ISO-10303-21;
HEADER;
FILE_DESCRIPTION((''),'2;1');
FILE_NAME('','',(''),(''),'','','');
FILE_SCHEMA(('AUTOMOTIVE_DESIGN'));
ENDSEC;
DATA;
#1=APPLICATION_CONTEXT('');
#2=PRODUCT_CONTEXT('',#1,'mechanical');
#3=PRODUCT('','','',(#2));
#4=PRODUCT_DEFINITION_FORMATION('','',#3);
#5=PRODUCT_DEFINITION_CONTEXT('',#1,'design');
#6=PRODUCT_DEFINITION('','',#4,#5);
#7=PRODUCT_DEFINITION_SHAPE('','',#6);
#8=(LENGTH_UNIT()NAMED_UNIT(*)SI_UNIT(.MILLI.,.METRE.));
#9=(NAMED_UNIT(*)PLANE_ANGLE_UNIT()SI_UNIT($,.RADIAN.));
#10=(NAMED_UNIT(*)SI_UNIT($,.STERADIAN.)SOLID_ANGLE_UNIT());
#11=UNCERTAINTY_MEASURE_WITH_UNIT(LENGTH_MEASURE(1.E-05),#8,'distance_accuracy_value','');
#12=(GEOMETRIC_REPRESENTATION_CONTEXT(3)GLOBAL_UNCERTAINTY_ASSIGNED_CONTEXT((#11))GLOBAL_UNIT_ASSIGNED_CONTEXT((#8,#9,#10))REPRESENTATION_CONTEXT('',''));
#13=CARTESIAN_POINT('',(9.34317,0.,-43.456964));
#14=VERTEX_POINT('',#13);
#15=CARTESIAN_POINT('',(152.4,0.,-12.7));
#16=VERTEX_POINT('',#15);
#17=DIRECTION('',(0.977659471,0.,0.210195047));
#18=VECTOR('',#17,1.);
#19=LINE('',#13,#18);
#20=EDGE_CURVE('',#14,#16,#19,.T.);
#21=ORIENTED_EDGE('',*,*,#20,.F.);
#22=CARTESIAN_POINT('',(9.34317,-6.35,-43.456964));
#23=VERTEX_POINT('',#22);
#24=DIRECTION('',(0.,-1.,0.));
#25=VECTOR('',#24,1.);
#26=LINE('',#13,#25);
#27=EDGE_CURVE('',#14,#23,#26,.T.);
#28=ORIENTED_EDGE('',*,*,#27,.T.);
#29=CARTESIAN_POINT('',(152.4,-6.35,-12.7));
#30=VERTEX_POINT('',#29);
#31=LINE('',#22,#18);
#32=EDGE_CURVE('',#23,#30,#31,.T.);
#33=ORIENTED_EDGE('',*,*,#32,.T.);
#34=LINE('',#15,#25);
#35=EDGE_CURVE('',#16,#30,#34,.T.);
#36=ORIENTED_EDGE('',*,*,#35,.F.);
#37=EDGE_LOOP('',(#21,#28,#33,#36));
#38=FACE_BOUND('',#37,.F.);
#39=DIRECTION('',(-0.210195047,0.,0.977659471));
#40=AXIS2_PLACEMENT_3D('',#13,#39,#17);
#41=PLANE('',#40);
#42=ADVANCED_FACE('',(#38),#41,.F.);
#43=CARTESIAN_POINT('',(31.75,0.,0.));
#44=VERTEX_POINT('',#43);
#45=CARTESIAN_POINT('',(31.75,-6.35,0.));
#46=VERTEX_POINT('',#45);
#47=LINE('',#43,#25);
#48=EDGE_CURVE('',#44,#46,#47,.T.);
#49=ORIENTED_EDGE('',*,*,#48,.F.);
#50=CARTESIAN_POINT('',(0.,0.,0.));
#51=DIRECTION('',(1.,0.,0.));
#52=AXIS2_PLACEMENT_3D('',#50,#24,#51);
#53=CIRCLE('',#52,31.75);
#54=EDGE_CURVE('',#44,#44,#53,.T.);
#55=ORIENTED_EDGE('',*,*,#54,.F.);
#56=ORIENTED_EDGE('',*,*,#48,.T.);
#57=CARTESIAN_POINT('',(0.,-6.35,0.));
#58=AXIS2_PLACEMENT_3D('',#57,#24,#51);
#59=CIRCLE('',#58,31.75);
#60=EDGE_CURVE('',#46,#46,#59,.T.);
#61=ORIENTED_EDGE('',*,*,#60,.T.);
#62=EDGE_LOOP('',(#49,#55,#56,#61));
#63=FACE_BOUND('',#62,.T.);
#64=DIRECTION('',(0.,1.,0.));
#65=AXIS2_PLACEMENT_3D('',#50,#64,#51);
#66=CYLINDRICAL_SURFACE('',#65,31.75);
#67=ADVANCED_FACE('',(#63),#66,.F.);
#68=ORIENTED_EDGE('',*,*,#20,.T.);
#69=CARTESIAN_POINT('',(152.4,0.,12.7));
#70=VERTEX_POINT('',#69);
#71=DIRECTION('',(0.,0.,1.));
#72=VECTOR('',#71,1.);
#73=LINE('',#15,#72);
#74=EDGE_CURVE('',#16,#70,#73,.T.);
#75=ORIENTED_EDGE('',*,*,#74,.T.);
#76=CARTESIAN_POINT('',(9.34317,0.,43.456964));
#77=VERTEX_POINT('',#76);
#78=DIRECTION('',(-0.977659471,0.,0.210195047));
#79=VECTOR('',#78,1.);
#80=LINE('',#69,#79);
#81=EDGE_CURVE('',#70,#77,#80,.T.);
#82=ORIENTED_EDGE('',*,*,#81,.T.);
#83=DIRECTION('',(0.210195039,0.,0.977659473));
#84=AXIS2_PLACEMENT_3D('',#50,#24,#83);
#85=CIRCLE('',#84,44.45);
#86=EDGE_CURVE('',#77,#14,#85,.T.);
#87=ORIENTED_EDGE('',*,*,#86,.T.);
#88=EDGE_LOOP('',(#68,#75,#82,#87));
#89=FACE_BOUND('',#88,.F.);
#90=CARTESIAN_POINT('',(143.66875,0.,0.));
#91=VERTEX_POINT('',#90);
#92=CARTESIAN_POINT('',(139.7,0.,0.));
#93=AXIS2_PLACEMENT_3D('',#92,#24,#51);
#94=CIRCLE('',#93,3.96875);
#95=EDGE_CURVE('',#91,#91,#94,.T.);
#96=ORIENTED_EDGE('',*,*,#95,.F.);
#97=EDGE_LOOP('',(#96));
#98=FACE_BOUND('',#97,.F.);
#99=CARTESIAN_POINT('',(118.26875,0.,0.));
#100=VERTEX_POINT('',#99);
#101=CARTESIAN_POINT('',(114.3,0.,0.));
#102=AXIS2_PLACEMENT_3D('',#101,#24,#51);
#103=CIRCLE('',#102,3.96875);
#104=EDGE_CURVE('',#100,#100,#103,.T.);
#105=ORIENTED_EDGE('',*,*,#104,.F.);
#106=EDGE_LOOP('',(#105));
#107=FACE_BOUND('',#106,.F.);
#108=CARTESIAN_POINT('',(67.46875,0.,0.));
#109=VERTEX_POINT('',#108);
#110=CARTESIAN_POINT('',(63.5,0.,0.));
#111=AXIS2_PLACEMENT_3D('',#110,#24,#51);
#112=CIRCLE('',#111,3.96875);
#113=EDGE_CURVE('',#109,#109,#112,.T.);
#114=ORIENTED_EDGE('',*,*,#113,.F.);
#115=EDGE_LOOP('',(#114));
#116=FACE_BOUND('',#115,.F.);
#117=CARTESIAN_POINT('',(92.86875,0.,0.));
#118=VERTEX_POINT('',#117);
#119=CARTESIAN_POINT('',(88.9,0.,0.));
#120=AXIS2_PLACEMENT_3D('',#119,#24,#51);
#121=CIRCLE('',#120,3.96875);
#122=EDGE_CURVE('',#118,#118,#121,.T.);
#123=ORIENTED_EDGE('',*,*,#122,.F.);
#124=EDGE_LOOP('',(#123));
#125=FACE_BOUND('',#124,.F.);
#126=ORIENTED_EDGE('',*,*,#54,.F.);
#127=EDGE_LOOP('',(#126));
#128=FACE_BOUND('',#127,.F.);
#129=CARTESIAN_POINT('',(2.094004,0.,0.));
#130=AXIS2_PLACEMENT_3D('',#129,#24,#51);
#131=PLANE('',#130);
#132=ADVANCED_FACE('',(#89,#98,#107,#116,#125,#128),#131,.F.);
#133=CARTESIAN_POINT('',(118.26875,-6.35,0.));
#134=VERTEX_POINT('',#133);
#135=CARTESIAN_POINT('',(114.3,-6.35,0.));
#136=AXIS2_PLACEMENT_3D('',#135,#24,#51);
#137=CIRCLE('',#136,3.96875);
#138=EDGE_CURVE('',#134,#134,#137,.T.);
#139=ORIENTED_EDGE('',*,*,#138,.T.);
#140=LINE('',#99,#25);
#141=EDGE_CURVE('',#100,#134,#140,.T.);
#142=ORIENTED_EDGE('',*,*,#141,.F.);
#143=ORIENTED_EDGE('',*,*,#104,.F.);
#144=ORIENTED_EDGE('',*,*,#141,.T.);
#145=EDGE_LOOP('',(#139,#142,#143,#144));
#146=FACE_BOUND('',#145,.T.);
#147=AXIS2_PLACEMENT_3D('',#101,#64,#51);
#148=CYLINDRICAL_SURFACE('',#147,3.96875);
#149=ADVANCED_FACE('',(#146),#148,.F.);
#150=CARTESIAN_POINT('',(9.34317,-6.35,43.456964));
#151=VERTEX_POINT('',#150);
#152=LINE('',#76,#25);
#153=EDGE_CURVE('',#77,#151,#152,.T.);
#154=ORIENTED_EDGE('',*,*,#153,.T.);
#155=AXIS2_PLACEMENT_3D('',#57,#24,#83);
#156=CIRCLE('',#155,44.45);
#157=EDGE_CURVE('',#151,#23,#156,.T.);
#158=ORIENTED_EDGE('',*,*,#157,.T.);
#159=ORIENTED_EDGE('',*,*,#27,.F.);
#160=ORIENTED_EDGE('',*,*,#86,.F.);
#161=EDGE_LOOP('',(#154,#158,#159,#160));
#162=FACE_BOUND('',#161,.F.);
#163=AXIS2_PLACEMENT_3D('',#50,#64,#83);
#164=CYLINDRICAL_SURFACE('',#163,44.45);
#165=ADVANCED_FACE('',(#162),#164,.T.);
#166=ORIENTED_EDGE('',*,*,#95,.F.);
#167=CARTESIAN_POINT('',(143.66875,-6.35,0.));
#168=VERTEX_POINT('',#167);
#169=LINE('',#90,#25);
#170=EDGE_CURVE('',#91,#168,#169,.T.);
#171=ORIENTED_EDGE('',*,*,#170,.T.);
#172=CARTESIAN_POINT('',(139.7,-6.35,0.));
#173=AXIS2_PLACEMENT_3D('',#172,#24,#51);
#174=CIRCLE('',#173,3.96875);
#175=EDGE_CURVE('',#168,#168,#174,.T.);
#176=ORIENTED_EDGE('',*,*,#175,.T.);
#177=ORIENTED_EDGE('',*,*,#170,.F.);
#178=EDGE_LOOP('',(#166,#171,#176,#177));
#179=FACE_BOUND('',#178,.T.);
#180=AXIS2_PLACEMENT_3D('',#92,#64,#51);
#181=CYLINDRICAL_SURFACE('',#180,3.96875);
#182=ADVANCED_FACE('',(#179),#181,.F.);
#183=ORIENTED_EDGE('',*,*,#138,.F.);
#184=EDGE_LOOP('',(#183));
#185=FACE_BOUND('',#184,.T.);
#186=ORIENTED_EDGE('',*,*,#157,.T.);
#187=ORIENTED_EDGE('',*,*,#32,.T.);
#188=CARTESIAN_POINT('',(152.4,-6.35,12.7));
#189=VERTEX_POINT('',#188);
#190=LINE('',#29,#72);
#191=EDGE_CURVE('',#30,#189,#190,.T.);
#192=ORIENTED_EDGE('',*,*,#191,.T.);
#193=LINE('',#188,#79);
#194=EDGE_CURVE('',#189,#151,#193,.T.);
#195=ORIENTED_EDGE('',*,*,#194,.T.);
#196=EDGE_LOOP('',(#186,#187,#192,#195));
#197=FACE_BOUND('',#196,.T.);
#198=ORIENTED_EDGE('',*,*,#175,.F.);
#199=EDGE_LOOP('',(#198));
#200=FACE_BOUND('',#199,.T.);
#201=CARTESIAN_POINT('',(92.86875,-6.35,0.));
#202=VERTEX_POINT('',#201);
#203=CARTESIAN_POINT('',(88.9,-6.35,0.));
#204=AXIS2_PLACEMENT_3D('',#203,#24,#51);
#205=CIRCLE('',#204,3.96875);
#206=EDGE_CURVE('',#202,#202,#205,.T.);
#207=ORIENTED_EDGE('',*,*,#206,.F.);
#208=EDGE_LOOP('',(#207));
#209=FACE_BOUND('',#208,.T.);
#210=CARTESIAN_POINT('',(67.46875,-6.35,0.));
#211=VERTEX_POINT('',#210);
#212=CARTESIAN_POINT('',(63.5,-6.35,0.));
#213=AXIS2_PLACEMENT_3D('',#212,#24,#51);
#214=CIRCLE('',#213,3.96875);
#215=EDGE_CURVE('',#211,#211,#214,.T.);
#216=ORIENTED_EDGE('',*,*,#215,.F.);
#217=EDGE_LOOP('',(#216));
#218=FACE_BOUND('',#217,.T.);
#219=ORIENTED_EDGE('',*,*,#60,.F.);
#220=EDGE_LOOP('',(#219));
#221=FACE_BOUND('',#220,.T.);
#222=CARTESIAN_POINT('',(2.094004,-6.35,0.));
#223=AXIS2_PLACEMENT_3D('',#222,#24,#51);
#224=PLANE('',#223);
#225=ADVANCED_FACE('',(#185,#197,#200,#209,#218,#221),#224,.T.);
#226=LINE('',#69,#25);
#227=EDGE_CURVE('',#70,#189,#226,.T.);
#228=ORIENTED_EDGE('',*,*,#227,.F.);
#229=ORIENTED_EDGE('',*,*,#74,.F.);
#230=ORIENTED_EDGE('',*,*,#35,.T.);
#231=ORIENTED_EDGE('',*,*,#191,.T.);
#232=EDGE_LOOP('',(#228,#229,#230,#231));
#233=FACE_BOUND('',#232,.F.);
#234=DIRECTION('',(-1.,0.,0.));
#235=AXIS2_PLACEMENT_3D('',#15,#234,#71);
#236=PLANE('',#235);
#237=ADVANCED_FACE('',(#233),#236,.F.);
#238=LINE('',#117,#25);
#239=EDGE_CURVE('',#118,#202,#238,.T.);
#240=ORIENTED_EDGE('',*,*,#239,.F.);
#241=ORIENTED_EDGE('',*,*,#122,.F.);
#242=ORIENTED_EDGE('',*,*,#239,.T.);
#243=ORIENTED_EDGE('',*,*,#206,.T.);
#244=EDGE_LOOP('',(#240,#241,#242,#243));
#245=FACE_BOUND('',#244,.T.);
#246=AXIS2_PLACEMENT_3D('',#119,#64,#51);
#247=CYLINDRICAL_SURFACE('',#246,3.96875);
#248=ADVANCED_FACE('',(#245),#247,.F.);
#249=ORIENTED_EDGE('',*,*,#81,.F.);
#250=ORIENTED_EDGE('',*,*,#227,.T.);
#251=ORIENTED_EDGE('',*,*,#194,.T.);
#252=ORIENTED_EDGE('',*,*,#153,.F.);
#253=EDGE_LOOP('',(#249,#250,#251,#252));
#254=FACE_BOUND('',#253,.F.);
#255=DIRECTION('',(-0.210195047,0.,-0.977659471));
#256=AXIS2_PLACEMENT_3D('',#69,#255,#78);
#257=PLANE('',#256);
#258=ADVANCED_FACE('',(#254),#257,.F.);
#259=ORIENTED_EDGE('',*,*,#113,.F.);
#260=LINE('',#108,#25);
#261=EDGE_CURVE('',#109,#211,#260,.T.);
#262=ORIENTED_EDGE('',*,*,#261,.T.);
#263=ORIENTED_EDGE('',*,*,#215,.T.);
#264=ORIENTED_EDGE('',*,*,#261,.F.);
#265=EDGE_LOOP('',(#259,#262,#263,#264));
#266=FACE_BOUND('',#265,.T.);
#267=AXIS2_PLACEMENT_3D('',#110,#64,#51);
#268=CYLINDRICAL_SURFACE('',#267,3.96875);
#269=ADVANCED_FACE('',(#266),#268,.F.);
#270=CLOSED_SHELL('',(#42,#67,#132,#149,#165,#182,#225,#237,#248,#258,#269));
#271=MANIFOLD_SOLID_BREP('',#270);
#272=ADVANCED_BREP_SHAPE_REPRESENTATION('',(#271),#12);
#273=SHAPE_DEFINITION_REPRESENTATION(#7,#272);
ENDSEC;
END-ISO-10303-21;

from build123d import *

# Parameters (mm, degrees)
F0_R     = 31.75
F0_R_2   = 3.96875
F1_DEPTH = 6.35


with BuildPart() as f1:
    # F0 (on Front) → F1 (new body)
    with BuildSketch(Plane.XZ):
        with BuildLine():
            ThreePointArc((9.34317, -43.456964), (34.576773, -27.932943), (44.45, 0))
            ThreePointArc((44.45, 0), (34.576773, 27.932943), (9.34317, 43.456964))
            ThreePointArc((9.34317, 43.456964), (-44.45, 0), (9.34317, -43.456964))
        make_face()
        Circle(F0_R, mode=Mode.SUBTRACT)
        with BuildLine():
            ThreePointArc((9.34317, 43.456964), (34.576773, 27.932943), (44.45, 0))
            ThreePointArc((44.45, 0), (34.576773, -27.932943), (9.34317, -43.456964))
            Line((9.34317, -43.456964), (152.4, -12.7))
            Line((152.4, -12.7), (152.4, 0))
            Line((152.4, 0), (152.4, 12.7))
            Line((152.4, 12.7), (9.34317, 43.456964))
        make_face()
        with Locations((63.5, 0)):
            Circle(F0_R_2, mode=Mode.SUBTRACT)
        with Locations((88.9, 0)):
            Circle(F0_R_2, mode=Mode.SUBTRACT)
        with Locations((114.3, 0)):
            Circle(F0_R_2, mode=Mode.SUBTRACT)
        with Locations((139.7, 0)):
            Circle(F0_R_2, mode=Mode.SUBTRACT)
    extrude(amount=F1_DEPTH)


solid = f1.part
